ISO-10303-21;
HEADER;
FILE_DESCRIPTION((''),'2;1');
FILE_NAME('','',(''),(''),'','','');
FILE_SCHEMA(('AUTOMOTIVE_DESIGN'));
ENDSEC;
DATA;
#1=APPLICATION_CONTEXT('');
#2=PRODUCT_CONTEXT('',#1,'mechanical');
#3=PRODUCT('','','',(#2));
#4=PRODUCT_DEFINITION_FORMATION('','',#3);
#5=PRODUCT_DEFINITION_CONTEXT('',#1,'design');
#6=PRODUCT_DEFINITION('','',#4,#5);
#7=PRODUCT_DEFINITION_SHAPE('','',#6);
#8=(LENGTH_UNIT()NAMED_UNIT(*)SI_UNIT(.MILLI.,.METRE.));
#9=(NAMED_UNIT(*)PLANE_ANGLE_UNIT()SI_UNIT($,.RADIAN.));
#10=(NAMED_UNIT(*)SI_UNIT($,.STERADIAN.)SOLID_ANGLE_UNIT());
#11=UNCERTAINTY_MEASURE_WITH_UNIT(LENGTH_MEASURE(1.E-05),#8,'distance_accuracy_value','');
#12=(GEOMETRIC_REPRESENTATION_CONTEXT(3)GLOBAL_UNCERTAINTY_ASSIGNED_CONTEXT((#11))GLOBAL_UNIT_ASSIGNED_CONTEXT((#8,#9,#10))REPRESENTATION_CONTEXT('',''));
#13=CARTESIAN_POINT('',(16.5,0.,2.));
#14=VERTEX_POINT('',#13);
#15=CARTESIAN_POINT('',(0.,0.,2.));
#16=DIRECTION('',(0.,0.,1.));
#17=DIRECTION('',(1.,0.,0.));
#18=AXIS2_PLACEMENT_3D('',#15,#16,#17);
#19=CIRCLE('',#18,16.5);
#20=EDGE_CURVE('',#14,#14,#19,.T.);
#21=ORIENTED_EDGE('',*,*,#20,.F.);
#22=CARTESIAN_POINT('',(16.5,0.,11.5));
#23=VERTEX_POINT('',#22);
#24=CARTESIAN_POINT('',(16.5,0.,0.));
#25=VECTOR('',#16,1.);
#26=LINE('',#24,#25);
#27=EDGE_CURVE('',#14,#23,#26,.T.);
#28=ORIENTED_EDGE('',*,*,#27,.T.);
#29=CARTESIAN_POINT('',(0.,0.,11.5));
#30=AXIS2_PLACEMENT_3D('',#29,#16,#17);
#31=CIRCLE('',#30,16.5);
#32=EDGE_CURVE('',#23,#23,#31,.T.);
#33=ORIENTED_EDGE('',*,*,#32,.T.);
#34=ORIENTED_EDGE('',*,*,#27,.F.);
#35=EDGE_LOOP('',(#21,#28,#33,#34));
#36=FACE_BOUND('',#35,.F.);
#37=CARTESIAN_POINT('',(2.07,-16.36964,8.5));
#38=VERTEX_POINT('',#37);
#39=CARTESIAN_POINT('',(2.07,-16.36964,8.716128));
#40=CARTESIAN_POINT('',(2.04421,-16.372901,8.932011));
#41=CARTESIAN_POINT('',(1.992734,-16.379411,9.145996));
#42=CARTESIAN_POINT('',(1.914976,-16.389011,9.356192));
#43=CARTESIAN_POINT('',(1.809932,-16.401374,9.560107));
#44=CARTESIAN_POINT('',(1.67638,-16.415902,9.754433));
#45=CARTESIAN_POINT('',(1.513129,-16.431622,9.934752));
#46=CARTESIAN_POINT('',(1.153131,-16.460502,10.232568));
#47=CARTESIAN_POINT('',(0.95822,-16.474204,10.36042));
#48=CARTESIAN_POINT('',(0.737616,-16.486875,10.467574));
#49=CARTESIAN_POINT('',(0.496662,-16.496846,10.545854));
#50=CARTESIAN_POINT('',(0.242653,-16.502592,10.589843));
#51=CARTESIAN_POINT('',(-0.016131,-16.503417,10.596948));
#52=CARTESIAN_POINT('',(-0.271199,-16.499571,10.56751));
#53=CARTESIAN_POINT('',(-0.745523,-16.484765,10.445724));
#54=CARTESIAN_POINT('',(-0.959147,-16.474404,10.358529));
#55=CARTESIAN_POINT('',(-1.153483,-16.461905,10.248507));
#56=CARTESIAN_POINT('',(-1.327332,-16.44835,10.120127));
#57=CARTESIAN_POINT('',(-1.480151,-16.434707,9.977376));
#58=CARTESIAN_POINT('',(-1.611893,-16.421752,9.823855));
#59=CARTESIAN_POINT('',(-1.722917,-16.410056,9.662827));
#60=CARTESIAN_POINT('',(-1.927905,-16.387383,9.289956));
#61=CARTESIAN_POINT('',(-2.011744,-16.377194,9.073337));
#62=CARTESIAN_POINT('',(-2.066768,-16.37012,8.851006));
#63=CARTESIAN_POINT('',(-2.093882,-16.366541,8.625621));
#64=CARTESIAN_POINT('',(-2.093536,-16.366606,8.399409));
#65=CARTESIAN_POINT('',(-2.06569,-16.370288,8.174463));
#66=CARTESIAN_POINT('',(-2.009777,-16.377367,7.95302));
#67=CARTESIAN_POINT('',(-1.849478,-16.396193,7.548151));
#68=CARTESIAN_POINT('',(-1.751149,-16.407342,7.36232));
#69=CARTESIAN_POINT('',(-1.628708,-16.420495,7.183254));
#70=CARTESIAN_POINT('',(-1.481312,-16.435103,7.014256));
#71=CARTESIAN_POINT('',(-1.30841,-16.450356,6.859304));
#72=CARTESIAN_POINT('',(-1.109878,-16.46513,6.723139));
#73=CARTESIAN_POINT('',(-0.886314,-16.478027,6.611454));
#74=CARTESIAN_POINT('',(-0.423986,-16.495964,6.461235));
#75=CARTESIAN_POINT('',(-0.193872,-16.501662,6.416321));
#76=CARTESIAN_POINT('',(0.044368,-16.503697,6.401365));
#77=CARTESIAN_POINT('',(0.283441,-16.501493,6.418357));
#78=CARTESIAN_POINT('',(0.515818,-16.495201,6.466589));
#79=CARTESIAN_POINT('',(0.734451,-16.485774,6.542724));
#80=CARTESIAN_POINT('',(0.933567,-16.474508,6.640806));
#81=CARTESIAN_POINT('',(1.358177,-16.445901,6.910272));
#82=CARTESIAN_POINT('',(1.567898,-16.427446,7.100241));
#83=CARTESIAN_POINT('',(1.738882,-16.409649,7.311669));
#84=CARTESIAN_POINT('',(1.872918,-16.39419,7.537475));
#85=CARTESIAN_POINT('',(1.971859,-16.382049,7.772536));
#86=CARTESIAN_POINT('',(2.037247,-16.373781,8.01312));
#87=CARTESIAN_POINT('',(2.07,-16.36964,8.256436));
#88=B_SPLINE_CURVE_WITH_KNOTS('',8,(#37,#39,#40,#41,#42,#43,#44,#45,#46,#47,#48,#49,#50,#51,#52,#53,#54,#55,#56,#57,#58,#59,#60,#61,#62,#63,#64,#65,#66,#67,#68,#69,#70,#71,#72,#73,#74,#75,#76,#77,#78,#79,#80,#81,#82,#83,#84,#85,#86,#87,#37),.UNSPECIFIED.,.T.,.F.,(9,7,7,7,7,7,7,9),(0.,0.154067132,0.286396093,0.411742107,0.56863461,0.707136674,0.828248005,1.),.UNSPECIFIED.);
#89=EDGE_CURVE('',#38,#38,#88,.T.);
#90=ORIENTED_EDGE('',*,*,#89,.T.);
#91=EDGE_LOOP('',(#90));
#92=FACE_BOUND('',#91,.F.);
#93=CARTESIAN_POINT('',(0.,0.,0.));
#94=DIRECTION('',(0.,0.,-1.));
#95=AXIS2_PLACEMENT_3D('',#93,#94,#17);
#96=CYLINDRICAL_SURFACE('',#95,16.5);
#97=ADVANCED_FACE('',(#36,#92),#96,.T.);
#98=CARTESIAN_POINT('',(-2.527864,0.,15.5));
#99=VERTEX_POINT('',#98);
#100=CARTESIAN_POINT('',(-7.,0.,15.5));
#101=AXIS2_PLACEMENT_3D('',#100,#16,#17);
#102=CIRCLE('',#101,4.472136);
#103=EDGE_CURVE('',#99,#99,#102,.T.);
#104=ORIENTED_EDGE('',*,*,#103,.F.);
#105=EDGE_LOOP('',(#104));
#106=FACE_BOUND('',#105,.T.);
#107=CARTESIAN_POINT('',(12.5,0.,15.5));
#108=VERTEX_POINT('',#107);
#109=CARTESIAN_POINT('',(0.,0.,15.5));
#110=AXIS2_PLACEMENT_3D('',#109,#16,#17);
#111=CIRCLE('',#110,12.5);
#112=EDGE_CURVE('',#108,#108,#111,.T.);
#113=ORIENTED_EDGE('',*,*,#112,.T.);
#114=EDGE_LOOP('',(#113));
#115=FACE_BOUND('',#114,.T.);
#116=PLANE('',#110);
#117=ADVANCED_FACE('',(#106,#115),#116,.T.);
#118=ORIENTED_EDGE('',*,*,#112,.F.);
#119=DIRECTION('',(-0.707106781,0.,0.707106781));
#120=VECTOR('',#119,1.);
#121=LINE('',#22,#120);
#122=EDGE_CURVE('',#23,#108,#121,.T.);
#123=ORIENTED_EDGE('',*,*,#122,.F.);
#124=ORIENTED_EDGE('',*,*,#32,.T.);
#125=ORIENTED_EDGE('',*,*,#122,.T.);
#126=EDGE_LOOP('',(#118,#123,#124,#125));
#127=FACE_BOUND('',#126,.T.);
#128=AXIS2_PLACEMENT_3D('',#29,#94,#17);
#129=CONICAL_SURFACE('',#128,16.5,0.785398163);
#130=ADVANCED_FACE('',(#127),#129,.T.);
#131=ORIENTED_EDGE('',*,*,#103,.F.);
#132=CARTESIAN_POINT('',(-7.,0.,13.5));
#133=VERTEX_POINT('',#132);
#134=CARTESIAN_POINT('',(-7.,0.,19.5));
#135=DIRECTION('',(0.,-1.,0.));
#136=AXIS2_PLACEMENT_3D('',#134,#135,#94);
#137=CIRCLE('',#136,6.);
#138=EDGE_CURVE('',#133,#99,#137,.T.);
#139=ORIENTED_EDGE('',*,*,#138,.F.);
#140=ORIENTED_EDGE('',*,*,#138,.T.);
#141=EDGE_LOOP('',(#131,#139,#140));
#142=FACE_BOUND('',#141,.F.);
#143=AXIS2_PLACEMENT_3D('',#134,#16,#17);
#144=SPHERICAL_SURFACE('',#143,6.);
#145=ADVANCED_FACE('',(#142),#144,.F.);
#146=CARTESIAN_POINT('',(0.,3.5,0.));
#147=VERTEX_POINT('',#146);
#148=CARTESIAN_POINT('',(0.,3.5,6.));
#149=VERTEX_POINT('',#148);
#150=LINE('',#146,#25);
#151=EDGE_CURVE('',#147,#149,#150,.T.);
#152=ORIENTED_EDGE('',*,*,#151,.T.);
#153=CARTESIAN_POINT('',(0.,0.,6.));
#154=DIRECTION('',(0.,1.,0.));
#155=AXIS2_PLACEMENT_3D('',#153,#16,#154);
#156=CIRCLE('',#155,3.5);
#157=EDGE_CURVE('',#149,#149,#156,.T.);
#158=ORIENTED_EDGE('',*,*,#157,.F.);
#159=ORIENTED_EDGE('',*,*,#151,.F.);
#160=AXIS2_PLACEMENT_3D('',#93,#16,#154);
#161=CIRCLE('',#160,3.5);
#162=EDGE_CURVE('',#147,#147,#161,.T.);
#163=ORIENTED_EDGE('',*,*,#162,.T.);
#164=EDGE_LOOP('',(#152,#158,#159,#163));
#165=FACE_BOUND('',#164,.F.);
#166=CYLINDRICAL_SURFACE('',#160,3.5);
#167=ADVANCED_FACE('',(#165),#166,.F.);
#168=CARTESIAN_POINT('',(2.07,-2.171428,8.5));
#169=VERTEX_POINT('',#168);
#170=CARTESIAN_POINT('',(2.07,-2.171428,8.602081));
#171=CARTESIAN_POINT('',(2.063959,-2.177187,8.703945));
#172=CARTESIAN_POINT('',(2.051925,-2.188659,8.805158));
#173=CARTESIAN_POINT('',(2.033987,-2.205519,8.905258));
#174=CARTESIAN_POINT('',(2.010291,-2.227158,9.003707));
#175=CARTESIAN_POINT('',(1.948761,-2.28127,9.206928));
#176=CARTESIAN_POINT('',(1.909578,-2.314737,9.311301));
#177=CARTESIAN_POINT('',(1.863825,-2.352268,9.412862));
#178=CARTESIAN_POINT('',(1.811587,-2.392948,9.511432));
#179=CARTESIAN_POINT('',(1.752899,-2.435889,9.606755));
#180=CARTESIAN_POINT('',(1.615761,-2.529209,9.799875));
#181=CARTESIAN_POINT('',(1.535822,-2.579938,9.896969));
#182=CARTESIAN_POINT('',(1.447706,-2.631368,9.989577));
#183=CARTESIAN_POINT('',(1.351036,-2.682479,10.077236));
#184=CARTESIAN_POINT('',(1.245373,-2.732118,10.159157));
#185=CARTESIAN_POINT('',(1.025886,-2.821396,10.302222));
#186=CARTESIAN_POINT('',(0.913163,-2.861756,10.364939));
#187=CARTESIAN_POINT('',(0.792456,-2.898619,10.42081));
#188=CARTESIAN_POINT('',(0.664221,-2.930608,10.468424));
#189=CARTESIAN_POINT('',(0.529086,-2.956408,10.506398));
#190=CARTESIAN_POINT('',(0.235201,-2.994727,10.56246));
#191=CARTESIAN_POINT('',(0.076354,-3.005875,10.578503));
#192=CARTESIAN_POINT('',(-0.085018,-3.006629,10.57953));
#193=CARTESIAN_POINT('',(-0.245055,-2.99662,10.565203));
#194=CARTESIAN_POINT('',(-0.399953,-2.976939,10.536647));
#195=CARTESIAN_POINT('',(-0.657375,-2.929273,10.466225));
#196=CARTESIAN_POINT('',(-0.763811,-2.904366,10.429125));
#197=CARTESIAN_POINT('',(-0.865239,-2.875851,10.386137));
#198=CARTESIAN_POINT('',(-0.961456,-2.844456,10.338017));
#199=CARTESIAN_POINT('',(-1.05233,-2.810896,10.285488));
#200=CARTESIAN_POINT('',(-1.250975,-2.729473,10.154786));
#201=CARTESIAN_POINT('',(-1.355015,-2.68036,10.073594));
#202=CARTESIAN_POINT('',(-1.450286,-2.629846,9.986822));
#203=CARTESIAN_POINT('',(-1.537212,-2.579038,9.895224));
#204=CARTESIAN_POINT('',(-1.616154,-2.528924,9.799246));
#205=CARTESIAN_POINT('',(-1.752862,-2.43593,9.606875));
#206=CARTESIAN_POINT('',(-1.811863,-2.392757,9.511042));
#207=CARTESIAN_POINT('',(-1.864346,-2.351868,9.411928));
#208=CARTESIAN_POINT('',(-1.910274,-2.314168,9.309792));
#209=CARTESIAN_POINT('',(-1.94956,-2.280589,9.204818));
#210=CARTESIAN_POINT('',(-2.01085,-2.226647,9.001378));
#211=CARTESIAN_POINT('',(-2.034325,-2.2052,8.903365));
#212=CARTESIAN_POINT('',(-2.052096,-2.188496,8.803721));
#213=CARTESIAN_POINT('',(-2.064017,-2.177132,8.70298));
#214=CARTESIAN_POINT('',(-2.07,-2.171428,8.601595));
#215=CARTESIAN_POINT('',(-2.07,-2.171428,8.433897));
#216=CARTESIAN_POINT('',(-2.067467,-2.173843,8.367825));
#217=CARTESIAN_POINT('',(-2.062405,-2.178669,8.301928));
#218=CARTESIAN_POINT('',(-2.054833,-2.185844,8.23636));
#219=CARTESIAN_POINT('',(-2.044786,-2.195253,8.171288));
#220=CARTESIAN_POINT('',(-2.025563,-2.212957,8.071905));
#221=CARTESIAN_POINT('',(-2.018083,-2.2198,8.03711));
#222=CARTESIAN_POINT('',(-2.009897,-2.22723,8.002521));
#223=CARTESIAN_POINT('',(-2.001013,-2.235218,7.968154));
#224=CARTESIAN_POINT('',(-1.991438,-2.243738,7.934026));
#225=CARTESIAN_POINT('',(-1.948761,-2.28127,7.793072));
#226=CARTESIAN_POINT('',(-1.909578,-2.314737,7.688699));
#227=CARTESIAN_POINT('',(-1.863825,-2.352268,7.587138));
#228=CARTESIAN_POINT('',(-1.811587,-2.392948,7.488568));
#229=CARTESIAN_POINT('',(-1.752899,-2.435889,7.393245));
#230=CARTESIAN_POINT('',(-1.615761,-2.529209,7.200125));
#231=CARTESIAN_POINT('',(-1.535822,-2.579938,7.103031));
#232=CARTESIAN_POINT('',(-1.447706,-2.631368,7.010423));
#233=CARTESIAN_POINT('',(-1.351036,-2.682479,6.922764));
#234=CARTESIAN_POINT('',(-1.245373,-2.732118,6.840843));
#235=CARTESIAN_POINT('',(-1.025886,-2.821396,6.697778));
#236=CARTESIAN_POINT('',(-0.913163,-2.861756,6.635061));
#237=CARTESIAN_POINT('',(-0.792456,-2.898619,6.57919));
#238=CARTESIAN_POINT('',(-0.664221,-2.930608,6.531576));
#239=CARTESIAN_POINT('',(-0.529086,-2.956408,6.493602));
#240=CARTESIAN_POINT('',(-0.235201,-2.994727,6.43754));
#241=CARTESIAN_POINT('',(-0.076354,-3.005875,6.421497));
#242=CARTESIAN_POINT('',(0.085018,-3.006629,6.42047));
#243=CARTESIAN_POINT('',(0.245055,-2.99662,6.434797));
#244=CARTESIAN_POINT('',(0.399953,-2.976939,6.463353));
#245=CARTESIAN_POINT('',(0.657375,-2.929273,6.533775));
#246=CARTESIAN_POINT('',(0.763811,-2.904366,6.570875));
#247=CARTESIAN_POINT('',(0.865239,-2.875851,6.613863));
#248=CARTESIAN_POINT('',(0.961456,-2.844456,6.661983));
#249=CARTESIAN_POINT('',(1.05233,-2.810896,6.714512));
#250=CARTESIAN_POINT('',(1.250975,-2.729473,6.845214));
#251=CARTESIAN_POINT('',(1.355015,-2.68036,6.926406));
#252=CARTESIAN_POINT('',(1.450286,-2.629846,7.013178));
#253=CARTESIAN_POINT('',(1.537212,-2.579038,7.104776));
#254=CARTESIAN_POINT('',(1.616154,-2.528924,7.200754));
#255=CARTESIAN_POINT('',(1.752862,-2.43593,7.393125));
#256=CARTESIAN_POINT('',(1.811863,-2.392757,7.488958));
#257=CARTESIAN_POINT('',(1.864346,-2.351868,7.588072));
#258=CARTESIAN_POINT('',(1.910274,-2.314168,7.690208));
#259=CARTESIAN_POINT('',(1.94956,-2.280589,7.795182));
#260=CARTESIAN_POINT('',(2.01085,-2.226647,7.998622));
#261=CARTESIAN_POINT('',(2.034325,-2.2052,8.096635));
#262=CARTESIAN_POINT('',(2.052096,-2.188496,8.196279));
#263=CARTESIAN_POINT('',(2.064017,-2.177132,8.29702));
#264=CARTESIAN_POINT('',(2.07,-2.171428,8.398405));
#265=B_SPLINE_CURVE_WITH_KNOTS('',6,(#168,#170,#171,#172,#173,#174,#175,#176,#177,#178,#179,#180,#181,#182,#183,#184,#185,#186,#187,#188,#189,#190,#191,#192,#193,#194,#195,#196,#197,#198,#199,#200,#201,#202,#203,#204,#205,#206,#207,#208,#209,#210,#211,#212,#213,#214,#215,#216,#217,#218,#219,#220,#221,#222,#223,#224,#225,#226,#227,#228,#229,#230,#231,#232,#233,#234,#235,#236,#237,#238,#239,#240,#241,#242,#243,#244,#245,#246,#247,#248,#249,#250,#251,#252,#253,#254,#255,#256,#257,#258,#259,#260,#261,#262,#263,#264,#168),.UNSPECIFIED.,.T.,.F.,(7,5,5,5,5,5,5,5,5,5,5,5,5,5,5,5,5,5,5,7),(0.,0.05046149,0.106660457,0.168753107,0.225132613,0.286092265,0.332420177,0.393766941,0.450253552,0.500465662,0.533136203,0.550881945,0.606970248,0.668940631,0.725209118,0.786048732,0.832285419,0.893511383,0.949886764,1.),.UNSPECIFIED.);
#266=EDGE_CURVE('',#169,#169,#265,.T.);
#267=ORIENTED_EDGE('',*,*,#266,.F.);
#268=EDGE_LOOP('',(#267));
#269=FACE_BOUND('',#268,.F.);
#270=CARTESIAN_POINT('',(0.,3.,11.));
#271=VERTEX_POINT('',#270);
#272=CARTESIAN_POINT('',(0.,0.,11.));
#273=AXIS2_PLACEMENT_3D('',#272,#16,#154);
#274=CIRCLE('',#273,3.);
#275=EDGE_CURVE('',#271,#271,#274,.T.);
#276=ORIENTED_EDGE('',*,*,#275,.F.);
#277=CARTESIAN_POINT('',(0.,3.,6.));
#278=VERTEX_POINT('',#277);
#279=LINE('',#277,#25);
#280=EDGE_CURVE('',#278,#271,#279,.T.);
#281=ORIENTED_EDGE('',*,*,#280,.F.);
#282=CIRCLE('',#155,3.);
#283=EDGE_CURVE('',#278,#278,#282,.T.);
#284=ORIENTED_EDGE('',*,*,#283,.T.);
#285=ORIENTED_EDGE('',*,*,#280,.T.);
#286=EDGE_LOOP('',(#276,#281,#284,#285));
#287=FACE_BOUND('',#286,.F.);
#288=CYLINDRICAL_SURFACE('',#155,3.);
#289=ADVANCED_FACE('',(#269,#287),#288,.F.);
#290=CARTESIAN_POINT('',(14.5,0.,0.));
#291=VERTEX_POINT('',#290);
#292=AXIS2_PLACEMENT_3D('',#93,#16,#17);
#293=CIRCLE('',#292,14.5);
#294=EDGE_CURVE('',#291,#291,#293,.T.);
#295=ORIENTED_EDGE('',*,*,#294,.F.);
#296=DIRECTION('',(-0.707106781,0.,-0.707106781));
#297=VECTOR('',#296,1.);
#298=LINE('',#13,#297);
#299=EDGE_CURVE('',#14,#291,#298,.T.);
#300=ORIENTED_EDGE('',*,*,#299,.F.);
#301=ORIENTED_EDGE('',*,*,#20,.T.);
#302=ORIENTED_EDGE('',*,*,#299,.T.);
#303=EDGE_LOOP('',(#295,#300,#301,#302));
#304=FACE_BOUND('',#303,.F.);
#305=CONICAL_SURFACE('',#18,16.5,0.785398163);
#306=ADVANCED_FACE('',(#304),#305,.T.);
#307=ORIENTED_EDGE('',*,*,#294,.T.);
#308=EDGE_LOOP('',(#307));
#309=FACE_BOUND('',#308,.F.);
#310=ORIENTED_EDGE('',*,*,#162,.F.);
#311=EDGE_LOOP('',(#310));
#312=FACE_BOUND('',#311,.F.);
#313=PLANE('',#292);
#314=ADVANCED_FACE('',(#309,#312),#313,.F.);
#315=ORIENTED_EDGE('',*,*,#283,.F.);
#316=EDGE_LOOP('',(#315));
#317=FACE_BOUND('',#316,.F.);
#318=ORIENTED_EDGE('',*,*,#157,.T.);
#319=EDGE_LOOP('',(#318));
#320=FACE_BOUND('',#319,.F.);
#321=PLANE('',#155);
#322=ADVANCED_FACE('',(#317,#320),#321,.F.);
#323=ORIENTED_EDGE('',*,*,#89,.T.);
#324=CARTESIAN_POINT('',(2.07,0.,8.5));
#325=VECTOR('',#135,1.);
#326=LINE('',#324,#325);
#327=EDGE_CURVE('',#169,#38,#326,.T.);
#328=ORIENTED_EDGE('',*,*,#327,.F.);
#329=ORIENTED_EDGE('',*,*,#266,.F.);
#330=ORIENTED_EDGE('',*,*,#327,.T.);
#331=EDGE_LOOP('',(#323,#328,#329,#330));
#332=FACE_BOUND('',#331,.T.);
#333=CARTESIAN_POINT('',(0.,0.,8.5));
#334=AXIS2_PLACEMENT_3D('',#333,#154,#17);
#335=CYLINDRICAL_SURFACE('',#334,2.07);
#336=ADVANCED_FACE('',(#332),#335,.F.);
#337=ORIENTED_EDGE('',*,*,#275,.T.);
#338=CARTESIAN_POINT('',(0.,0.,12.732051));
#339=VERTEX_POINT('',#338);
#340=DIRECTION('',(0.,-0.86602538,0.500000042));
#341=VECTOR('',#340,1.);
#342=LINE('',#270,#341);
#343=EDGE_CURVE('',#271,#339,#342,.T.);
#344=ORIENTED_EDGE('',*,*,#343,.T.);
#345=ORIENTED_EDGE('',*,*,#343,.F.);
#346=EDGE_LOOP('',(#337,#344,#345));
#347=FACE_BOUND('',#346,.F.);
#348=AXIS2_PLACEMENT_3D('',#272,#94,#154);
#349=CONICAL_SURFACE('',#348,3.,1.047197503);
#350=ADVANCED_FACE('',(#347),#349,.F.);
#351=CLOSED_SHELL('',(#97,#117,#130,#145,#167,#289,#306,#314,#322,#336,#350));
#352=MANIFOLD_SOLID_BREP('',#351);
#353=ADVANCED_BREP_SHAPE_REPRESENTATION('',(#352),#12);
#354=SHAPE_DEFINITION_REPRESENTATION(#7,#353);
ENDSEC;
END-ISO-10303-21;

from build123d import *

# Parameters (mm, degrees)
SKETCH002_R     = 2.07
PAD001_DEPTH    = 20
SKETCH_R        = 16.5
PAD_DEPTH       = 15.5
CHAMFER_SIZE    = 4
CHAMFER001_SIZE = 2


with BuildPart() as esf_ra:
    # Sphere → Sphere (revolve)
    with BuildSketch(Plane(origin=(-7, 0, 19.5), x_dir=(1, 0, 0), z_dir=(0, -1, 0))):
        with BuildLine():
            ThreePointArc((0, -6), (6, 0), (0, 6))
            Line((0, 6), (0, -6))
        make_face()
    revolve(axis=Axis((-7, 0, 19.5), (0, 0, 1)))


with BuildPart() as pad001:
    # Sketch002 → Pad001 (new body)
    with BuildSketch(Plane.XZ):
        with Locations((0, 8.5)):
            Circle(SKETCH002_R)
    extrude(amount=PAD001_DEPTH)


with BuildPart() as revolution:
    # Sketch001 → Revolution (revolve)
    with BuildSketch(Plane.YZ):
        Polygon((3.5, 0), (3.5, 6), (3, 6), (3, 11), (0, 12.732051), (0, 0), align=None)
    revolve(axis=Axis((0, 0, 0), (0, 0, 1)))


with BuildPart() as cut002:
    # Sketch → Pad (new body)
    with BuildSketch(Plane.XY):
        Circle(SKETCH_R)
    extrude(amount=PAD_DEPTH)

    # Chamfer
    chamfer_edges = [cut002.edges().sort_by_distance(p)[0] for p in [
        (-16.5, 0, 15.5),
    ]]
    chamfer(chamfer_edges, length=CHAMFER_SIZE)

    # Chamfer001
    chamfer001_edges = [cut002.edges().sort_by_distance(p)[0] for p in [
        (-16.5, 0, 0),
    ]]
    chamfer(chamfer001_edges, length=CHAMFER001_SIZE)

    # Cut: cut Revolution
    add(revolution.part, mode=Mode.SUBTRACT)

    # Cut001: cut Pad001
    add(pad001.part, mode=Mode.SUBTRACT)

    # Cut002: cut Esféra
    add(esf_ra.part, mode=Mode.SUBTRACT)


solid = cut002.part
